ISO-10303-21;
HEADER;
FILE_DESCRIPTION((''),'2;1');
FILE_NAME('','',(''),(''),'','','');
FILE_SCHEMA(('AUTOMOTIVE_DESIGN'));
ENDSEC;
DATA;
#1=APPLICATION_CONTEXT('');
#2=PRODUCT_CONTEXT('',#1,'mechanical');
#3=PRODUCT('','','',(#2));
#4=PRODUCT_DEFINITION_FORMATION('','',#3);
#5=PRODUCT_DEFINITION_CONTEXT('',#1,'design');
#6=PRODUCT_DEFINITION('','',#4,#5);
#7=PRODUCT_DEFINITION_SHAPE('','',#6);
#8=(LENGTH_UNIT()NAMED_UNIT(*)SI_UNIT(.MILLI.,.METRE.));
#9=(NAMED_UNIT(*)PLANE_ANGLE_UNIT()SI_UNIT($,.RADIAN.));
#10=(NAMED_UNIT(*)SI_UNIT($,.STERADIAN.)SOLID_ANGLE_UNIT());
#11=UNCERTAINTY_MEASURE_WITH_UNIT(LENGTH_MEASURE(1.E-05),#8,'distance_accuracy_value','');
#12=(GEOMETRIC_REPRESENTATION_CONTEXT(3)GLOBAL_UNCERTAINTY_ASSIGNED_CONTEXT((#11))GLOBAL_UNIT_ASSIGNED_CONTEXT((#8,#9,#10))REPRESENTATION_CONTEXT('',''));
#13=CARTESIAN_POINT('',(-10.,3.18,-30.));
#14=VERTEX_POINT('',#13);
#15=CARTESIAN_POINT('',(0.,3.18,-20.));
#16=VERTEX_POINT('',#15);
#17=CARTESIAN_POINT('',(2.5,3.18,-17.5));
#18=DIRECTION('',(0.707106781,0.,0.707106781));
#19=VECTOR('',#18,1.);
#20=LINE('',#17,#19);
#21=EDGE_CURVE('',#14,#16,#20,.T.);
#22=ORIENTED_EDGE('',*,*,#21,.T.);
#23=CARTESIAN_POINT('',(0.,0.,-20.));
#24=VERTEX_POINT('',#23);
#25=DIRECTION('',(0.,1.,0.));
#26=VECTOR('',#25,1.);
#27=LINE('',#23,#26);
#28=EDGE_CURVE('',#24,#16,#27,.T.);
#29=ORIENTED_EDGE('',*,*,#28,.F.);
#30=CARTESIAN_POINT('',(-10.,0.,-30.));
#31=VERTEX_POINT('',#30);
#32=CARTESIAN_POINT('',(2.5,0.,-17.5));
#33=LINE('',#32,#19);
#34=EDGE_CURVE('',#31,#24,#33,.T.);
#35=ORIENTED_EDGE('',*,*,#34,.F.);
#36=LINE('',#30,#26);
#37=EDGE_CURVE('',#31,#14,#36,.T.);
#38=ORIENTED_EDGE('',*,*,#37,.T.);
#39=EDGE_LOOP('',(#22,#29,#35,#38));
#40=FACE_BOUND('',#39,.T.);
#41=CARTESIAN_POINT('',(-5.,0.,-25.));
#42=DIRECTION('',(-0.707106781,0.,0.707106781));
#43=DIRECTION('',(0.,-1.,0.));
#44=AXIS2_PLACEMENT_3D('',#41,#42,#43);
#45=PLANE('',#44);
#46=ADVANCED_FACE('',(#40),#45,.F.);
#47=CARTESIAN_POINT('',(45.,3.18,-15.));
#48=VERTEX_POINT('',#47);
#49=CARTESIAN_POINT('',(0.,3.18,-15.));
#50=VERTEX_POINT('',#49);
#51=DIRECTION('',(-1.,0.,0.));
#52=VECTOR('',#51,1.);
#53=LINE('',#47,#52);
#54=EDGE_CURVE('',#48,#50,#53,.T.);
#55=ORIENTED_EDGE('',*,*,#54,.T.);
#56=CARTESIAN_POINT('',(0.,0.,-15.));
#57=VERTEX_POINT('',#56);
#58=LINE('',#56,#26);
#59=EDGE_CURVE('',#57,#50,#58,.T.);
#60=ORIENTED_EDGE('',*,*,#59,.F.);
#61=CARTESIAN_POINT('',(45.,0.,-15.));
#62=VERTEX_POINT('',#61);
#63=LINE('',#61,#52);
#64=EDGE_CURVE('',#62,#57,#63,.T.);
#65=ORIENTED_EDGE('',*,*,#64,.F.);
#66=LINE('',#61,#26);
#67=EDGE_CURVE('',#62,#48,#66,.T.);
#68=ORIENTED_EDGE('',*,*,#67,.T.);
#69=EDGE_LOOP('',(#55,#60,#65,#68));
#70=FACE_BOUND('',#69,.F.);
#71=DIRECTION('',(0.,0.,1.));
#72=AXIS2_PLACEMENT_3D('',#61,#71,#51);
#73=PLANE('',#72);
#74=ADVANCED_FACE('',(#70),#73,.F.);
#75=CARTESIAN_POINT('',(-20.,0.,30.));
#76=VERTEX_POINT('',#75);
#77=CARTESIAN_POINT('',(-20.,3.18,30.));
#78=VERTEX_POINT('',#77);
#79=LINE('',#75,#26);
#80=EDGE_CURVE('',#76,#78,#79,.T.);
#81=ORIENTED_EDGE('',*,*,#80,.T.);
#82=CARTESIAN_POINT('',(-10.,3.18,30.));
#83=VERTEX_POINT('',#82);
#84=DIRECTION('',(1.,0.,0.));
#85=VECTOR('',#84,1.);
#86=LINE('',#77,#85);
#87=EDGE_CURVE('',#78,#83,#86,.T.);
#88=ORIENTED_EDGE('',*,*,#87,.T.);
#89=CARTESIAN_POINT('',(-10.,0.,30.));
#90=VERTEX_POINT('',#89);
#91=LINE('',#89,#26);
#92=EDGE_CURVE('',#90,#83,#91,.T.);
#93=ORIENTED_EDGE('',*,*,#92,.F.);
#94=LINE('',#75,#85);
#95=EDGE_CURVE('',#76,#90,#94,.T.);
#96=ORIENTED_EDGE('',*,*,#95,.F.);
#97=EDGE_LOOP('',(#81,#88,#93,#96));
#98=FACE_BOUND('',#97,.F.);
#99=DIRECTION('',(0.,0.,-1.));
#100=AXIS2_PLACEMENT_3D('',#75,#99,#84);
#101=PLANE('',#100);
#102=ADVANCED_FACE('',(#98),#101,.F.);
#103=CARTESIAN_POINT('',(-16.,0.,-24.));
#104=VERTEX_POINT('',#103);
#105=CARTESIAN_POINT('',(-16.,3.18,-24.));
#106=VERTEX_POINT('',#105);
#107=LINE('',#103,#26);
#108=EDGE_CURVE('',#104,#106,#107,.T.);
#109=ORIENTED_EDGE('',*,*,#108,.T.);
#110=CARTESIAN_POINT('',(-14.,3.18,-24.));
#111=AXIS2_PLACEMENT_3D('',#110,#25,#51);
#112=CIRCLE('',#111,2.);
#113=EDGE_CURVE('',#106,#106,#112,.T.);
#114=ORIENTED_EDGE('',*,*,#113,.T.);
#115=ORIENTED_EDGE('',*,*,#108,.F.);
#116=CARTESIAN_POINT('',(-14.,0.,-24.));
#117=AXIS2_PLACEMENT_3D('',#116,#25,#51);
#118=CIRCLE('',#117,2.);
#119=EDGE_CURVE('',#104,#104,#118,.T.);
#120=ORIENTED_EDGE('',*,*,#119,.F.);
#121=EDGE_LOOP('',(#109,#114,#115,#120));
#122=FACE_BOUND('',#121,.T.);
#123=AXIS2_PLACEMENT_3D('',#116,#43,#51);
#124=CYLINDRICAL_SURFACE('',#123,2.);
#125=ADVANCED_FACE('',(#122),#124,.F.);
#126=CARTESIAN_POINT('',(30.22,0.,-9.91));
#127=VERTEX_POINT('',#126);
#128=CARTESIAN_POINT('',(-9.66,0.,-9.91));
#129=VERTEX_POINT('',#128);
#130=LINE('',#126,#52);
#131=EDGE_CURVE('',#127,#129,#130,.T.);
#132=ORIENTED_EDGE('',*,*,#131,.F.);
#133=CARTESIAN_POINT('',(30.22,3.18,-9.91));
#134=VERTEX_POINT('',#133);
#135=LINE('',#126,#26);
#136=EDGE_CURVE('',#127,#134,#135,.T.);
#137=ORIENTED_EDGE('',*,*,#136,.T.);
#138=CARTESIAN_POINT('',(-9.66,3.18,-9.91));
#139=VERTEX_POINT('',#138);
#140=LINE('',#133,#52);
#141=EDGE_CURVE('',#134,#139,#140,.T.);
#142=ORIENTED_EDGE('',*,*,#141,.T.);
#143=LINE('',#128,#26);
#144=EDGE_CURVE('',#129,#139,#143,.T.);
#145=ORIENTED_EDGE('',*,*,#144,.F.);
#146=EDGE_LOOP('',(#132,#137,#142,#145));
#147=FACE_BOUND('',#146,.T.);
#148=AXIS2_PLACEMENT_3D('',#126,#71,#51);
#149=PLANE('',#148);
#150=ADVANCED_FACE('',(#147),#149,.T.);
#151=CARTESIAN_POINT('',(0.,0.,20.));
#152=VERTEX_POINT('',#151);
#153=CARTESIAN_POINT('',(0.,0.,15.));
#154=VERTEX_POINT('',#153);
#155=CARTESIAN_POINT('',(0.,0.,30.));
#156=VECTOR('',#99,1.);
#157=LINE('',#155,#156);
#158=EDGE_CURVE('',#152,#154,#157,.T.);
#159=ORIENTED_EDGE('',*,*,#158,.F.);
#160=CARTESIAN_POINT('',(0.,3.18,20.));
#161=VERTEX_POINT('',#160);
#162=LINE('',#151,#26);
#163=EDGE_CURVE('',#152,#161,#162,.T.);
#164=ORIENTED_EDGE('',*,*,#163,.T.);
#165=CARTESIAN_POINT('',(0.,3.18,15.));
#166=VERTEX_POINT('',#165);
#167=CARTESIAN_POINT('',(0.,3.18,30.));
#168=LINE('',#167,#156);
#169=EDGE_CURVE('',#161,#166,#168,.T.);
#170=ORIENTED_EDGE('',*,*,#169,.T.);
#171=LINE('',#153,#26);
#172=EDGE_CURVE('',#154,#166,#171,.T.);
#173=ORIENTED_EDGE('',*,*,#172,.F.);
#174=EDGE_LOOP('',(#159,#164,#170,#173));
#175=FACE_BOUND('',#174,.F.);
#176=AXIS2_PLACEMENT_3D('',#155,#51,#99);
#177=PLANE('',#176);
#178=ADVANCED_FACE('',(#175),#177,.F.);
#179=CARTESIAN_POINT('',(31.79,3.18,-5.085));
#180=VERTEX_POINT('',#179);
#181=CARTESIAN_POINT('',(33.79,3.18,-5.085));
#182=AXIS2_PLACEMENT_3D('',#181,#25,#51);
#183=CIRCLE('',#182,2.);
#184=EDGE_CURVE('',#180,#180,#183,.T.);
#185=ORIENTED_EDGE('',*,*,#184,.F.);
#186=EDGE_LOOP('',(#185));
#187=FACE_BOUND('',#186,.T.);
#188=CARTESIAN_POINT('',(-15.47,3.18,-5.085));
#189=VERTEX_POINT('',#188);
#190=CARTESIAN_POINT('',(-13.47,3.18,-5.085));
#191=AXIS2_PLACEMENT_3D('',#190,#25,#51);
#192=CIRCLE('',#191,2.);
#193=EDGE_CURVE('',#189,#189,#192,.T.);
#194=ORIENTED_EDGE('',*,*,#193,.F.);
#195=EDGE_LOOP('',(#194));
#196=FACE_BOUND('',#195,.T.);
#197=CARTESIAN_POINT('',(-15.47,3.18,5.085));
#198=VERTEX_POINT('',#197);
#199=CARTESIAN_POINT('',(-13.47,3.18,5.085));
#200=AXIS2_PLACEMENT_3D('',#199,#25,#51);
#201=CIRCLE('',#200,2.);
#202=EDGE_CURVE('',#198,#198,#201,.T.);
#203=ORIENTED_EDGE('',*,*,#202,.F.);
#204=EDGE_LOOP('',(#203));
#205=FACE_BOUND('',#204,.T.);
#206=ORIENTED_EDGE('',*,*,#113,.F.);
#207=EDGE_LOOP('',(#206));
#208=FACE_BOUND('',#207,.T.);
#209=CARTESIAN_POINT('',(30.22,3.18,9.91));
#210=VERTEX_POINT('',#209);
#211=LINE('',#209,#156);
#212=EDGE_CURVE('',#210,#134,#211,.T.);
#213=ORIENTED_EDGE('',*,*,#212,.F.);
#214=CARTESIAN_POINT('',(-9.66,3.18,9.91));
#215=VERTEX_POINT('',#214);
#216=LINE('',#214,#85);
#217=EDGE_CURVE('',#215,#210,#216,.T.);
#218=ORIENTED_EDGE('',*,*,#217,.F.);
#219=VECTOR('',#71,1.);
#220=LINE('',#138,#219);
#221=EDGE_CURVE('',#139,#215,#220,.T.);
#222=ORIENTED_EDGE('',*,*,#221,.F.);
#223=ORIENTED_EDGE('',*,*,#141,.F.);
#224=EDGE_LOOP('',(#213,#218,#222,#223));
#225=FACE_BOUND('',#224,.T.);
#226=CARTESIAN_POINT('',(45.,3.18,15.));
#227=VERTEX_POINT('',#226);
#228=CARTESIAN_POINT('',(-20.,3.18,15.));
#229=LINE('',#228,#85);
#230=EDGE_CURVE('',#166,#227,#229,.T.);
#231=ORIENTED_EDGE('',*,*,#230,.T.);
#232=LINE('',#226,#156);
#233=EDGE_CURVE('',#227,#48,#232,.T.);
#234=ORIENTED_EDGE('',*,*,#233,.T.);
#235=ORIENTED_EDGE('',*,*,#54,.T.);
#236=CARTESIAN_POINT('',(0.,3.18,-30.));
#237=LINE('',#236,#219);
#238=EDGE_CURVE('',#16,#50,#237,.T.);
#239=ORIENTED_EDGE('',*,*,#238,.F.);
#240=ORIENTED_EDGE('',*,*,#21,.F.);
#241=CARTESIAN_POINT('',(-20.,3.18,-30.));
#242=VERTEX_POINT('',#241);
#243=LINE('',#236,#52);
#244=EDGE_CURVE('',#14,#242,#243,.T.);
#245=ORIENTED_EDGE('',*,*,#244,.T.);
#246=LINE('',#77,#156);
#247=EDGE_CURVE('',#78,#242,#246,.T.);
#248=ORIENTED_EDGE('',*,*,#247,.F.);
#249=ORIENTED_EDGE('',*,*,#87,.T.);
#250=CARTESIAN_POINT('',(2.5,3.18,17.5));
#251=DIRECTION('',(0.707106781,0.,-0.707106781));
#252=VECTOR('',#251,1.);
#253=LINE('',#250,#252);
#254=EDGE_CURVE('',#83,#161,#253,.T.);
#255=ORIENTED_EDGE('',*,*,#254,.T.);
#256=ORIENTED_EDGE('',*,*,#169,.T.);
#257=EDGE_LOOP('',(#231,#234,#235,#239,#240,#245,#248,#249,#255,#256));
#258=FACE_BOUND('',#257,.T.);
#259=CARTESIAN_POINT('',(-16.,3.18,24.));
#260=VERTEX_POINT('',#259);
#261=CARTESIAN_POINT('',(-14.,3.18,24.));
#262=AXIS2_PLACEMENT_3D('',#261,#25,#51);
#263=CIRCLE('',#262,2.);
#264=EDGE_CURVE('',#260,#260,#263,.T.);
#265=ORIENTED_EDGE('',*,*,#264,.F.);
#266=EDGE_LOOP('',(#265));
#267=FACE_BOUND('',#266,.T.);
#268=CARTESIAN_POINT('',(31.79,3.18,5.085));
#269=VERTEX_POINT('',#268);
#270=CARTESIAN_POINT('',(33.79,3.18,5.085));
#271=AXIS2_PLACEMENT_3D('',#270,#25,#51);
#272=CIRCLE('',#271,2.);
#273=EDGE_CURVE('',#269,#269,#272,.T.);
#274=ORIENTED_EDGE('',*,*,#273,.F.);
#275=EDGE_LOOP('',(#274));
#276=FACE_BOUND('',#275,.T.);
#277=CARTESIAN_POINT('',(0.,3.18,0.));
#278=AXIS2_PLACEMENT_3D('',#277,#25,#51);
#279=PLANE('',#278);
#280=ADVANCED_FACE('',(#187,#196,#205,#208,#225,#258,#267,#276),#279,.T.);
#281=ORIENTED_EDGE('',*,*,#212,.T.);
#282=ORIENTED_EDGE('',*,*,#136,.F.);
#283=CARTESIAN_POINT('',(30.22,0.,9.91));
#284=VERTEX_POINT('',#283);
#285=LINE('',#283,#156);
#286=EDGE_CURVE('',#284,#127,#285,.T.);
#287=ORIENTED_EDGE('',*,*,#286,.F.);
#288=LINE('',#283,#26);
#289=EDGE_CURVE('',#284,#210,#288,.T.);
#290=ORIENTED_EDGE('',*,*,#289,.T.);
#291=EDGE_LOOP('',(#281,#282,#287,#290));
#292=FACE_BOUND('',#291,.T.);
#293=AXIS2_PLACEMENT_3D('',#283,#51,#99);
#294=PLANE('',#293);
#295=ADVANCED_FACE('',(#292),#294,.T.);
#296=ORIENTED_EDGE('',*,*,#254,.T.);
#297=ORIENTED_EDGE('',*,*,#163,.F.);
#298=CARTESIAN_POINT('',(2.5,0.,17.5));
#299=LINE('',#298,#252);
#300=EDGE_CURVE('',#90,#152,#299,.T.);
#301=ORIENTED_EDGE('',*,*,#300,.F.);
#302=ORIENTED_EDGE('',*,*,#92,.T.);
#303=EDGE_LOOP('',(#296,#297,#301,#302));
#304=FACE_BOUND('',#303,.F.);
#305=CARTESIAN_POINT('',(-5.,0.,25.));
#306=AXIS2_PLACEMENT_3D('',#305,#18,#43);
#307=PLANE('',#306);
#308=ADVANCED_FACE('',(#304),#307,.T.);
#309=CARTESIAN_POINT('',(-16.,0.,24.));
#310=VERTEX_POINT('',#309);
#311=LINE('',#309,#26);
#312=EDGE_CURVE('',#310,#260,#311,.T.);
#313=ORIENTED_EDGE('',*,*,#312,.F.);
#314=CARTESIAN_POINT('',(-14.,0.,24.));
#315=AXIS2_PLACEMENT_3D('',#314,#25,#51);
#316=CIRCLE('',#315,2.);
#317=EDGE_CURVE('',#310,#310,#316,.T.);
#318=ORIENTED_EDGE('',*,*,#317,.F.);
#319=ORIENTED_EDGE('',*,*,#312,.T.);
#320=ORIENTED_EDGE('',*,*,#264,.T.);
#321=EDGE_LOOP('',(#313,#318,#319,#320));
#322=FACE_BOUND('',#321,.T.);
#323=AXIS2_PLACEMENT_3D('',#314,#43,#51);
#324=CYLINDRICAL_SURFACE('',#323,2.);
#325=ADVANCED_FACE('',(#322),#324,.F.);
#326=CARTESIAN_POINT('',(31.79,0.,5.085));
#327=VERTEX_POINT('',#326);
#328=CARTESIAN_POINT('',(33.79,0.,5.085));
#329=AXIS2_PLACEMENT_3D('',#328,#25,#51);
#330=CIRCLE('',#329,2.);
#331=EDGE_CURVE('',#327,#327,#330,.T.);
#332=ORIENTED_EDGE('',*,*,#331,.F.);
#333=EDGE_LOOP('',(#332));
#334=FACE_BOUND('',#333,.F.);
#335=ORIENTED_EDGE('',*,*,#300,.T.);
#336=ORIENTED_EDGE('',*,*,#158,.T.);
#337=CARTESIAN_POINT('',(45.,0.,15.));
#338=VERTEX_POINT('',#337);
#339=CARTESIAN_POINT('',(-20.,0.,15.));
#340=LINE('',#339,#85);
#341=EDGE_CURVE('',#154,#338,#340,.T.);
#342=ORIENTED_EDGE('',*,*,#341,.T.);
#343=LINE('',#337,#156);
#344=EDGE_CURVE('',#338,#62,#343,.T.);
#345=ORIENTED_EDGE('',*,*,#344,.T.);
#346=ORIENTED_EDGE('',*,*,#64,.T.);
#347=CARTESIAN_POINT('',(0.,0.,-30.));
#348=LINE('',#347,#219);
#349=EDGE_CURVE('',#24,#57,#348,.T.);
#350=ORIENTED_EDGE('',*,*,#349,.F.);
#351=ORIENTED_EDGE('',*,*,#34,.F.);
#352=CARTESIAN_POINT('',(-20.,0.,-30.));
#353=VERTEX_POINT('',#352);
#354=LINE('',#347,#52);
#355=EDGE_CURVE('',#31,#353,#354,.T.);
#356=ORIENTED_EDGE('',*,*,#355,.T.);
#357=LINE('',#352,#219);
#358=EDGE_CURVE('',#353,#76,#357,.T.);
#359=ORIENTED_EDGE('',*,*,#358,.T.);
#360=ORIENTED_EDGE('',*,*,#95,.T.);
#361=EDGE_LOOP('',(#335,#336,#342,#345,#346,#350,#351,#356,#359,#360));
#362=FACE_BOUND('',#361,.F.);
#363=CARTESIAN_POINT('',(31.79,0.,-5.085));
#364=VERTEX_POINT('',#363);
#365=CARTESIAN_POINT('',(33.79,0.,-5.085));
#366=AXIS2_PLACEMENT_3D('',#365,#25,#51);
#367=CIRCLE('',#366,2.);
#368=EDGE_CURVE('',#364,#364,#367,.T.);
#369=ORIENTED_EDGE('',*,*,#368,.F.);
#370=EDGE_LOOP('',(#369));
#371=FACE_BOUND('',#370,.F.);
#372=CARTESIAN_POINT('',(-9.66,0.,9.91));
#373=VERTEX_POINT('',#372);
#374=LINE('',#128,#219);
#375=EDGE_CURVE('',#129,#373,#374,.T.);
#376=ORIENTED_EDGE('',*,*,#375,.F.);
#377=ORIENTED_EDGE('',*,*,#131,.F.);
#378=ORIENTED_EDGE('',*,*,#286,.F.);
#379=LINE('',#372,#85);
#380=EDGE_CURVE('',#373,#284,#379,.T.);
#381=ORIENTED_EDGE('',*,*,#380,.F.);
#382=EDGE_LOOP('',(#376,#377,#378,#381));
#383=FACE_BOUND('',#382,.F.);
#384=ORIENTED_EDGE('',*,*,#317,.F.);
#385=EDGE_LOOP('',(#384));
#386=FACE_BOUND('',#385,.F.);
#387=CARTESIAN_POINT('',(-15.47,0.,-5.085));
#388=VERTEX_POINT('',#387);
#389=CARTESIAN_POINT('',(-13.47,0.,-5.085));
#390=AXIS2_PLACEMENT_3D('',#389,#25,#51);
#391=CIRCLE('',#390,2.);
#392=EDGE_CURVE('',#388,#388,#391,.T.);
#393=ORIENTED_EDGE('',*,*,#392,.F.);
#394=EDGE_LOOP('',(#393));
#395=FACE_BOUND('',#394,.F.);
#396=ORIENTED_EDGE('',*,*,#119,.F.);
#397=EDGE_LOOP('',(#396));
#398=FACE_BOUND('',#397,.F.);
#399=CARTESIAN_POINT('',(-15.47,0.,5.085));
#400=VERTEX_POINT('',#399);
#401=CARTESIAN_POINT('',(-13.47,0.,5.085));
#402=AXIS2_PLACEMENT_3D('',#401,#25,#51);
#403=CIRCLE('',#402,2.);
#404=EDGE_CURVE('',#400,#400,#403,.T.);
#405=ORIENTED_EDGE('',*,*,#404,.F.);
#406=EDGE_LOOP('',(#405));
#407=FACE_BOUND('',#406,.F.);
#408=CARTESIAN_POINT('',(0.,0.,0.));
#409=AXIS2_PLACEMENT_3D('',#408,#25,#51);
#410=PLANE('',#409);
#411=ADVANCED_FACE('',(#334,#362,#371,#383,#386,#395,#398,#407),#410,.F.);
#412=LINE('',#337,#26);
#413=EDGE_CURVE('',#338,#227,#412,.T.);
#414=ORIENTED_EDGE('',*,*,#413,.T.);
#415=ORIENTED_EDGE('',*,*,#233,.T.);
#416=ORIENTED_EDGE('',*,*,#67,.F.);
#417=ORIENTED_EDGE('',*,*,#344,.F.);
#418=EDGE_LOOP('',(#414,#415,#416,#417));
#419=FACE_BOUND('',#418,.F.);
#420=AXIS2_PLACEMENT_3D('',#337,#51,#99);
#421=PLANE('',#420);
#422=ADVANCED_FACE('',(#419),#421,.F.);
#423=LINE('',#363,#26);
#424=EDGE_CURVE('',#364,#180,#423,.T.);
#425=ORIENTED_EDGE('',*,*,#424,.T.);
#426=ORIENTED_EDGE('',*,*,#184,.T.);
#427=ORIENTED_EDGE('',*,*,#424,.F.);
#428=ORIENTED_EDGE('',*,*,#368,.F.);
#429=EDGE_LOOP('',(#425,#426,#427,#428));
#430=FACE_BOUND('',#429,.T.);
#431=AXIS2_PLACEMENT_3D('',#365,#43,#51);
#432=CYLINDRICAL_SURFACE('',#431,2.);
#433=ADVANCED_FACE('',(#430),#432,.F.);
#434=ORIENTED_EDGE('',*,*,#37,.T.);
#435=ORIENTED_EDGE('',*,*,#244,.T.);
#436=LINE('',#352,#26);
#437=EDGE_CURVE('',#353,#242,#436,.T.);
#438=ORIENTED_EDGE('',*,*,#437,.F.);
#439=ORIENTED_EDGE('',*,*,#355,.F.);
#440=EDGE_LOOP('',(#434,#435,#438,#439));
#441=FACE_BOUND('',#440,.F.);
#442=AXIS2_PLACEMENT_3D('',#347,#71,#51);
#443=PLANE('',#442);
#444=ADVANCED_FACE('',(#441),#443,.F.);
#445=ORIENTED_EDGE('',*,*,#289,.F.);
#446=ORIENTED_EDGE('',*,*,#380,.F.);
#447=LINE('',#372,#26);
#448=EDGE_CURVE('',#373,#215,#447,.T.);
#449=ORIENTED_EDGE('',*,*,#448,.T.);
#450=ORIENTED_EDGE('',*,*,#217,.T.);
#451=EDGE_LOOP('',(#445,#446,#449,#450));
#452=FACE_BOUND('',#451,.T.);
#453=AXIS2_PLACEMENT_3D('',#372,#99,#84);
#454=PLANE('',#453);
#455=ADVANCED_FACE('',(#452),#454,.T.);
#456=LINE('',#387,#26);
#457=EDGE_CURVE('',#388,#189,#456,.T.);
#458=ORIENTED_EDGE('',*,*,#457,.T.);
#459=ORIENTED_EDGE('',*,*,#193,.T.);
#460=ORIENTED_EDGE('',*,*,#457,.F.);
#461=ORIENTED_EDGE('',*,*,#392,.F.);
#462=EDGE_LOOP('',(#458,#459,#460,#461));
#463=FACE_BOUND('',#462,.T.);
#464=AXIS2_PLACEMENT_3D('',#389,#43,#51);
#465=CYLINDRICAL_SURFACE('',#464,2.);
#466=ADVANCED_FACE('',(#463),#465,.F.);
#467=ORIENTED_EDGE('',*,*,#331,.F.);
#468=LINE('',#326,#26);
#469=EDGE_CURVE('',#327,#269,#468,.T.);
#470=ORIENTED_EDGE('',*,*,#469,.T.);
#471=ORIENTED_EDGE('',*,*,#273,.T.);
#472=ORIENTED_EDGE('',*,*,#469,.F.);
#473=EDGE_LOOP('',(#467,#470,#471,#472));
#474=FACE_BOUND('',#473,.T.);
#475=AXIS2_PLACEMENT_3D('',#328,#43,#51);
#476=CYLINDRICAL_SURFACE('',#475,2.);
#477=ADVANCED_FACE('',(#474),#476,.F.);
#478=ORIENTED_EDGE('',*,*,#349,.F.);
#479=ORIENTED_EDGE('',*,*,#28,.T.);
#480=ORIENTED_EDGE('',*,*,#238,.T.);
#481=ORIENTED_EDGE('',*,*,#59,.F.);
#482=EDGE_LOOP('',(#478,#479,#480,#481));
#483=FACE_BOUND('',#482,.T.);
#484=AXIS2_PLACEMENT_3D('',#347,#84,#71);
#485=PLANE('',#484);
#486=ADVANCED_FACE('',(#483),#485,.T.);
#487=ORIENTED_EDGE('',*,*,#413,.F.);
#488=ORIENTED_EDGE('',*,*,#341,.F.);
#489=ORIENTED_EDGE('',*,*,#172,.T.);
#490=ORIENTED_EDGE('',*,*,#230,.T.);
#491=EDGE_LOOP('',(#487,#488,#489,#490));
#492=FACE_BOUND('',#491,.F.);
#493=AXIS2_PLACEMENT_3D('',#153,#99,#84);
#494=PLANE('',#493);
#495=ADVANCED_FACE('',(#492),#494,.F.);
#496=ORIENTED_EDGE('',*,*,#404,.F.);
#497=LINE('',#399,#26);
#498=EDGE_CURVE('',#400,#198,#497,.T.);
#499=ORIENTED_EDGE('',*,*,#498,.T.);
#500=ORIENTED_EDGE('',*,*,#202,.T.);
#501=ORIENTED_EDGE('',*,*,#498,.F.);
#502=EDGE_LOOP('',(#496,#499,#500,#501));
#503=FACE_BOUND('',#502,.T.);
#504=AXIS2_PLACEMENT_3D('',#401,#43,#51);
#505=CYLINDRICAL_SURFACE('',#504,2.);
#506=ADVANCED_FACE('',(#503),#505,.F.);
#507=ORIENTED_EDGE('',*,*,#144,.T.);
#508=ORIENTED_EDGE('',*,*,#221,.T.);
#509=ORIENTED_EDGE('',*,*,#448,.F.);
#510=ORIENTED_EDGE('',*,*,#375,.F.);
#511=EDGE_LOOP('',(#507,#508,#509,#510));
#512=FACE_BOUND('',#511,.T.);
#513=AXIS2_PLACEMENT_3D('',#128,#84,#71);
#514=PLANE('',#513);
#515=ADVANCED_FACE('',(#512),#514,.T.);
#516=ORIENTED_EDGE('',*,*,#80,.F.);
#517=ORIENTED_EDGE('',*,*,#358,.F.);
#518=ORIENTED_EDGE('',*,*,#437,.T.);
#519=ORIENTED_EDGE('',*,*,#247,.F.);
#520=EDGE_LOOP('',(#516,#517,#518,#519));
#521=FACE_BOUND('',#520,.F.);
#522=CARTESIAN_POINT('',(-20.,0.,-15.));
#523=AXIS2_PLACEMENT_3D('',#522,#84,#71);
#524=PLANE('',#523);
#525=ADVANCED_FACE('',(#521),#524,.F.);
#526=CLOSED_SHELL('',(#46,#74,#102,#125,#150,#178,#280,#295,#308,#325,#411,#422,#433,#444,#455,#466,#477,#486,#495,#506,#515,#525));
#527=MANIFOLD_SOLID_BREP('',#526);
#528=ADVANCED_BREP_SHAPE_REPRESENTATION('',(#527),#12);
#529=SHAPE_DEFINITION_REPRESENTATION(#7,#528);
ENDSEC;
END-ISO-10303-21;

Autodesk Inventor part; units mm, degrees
ref_plane "YZ Plane" through (0, 0, 0) normal (1, 0, 0) x (0, 1, 0)
ref_plane "XZ Plane" through (0, 0, 0) normal (0, 1, 0) x (-1, 0, 0)
ref_plane "XY Plane" through (0, 0, 0) normal (0, 0, 1) x (1, 0, 0)
sketch "Sketch2" plane through (0, 0, 0) normal (0, 1, 0) x (-1, 0, 0)
  circle A0 centre (-33.79, -5.085) radius 2
  circle A1 centre (-33.79, 5.085) radius 2
  circle A2 centre (13.47, -5.085) radius 2
  circle A3 centre (13.47, 5.085) radius 2
  line L0 (20, 15) -> (-45, 15)
  line L1 (-45, 15) -> (-45, -15)
  line L2 (-45, -15) -> (20, -15)
  line L3 (20, -15) -> (20, 15)
  line L4 (20, 30) -> (0, 30)
  line L5 (0, -30) -> (20, -30)
  line L6 (20, -30) -> (20, 30)
  circle A4 centre (14, 24) radius 2
  circle A5 centre (14, -24) radius 2
  line L7 (0, 30) -> (0, 15)
  line L8 (0, -30) -> (0, -15)
  line L9 (9.66, 9.91) -> (-30.22, 9.91)
  line L10 (-30.22, 9.91) -> (-30.22, -9.91)
  line L11 (-30.22, -9.91) -> (9.66, -9.91)
  line L12 (9.66, -9.91) -> (9.66, 9.91)
  point P0 (0, 0)
  dimension "d27" = 4
  dimension "d28" = 4
  dimension "d29" = 4
  dimension "d30" = 4
  dimension "d31" = 13.47
  dimension "d32" = 5.085
  dimension "d33" = 10.17
  dimension "d34" = 13.47
  dimension "d35" = 33.79
  dimension "d36" = 5.085
  dimension "d37" = 10.17
  dimension "d38" = 33.79
  dimension "d39" = 30
  dimension "d40" = 65
  dimension "d41" = 20
  dimension "d42" = 15
  dimension "d43" = 60
  dimension "d44" = 30
  dimension "d45" = 20
  dimension "d46" = 4
  dimension "d47" = 4
  dimension "d48" = 6
  dimension "d49" = 6
  dimension "d50" = 6
  dimension "d51" = 6
  dimension "d52" = 9.66
  dimension "d53" = 19.82
  dimension "d54" = 9.91
  dimension "d55" = 39.88
extrude "Extrusion2" add sketch "Sketch2" along normal blind 3.18
chamfer "Chamfer1" distance 10 angle 45 1 edges at (0, 1.59, -30)
chamfer "Chamfer2" distance 10 angle 45 1 edges at (0, 1.59, 30)
properties part number "Pinza_sostenedor"
